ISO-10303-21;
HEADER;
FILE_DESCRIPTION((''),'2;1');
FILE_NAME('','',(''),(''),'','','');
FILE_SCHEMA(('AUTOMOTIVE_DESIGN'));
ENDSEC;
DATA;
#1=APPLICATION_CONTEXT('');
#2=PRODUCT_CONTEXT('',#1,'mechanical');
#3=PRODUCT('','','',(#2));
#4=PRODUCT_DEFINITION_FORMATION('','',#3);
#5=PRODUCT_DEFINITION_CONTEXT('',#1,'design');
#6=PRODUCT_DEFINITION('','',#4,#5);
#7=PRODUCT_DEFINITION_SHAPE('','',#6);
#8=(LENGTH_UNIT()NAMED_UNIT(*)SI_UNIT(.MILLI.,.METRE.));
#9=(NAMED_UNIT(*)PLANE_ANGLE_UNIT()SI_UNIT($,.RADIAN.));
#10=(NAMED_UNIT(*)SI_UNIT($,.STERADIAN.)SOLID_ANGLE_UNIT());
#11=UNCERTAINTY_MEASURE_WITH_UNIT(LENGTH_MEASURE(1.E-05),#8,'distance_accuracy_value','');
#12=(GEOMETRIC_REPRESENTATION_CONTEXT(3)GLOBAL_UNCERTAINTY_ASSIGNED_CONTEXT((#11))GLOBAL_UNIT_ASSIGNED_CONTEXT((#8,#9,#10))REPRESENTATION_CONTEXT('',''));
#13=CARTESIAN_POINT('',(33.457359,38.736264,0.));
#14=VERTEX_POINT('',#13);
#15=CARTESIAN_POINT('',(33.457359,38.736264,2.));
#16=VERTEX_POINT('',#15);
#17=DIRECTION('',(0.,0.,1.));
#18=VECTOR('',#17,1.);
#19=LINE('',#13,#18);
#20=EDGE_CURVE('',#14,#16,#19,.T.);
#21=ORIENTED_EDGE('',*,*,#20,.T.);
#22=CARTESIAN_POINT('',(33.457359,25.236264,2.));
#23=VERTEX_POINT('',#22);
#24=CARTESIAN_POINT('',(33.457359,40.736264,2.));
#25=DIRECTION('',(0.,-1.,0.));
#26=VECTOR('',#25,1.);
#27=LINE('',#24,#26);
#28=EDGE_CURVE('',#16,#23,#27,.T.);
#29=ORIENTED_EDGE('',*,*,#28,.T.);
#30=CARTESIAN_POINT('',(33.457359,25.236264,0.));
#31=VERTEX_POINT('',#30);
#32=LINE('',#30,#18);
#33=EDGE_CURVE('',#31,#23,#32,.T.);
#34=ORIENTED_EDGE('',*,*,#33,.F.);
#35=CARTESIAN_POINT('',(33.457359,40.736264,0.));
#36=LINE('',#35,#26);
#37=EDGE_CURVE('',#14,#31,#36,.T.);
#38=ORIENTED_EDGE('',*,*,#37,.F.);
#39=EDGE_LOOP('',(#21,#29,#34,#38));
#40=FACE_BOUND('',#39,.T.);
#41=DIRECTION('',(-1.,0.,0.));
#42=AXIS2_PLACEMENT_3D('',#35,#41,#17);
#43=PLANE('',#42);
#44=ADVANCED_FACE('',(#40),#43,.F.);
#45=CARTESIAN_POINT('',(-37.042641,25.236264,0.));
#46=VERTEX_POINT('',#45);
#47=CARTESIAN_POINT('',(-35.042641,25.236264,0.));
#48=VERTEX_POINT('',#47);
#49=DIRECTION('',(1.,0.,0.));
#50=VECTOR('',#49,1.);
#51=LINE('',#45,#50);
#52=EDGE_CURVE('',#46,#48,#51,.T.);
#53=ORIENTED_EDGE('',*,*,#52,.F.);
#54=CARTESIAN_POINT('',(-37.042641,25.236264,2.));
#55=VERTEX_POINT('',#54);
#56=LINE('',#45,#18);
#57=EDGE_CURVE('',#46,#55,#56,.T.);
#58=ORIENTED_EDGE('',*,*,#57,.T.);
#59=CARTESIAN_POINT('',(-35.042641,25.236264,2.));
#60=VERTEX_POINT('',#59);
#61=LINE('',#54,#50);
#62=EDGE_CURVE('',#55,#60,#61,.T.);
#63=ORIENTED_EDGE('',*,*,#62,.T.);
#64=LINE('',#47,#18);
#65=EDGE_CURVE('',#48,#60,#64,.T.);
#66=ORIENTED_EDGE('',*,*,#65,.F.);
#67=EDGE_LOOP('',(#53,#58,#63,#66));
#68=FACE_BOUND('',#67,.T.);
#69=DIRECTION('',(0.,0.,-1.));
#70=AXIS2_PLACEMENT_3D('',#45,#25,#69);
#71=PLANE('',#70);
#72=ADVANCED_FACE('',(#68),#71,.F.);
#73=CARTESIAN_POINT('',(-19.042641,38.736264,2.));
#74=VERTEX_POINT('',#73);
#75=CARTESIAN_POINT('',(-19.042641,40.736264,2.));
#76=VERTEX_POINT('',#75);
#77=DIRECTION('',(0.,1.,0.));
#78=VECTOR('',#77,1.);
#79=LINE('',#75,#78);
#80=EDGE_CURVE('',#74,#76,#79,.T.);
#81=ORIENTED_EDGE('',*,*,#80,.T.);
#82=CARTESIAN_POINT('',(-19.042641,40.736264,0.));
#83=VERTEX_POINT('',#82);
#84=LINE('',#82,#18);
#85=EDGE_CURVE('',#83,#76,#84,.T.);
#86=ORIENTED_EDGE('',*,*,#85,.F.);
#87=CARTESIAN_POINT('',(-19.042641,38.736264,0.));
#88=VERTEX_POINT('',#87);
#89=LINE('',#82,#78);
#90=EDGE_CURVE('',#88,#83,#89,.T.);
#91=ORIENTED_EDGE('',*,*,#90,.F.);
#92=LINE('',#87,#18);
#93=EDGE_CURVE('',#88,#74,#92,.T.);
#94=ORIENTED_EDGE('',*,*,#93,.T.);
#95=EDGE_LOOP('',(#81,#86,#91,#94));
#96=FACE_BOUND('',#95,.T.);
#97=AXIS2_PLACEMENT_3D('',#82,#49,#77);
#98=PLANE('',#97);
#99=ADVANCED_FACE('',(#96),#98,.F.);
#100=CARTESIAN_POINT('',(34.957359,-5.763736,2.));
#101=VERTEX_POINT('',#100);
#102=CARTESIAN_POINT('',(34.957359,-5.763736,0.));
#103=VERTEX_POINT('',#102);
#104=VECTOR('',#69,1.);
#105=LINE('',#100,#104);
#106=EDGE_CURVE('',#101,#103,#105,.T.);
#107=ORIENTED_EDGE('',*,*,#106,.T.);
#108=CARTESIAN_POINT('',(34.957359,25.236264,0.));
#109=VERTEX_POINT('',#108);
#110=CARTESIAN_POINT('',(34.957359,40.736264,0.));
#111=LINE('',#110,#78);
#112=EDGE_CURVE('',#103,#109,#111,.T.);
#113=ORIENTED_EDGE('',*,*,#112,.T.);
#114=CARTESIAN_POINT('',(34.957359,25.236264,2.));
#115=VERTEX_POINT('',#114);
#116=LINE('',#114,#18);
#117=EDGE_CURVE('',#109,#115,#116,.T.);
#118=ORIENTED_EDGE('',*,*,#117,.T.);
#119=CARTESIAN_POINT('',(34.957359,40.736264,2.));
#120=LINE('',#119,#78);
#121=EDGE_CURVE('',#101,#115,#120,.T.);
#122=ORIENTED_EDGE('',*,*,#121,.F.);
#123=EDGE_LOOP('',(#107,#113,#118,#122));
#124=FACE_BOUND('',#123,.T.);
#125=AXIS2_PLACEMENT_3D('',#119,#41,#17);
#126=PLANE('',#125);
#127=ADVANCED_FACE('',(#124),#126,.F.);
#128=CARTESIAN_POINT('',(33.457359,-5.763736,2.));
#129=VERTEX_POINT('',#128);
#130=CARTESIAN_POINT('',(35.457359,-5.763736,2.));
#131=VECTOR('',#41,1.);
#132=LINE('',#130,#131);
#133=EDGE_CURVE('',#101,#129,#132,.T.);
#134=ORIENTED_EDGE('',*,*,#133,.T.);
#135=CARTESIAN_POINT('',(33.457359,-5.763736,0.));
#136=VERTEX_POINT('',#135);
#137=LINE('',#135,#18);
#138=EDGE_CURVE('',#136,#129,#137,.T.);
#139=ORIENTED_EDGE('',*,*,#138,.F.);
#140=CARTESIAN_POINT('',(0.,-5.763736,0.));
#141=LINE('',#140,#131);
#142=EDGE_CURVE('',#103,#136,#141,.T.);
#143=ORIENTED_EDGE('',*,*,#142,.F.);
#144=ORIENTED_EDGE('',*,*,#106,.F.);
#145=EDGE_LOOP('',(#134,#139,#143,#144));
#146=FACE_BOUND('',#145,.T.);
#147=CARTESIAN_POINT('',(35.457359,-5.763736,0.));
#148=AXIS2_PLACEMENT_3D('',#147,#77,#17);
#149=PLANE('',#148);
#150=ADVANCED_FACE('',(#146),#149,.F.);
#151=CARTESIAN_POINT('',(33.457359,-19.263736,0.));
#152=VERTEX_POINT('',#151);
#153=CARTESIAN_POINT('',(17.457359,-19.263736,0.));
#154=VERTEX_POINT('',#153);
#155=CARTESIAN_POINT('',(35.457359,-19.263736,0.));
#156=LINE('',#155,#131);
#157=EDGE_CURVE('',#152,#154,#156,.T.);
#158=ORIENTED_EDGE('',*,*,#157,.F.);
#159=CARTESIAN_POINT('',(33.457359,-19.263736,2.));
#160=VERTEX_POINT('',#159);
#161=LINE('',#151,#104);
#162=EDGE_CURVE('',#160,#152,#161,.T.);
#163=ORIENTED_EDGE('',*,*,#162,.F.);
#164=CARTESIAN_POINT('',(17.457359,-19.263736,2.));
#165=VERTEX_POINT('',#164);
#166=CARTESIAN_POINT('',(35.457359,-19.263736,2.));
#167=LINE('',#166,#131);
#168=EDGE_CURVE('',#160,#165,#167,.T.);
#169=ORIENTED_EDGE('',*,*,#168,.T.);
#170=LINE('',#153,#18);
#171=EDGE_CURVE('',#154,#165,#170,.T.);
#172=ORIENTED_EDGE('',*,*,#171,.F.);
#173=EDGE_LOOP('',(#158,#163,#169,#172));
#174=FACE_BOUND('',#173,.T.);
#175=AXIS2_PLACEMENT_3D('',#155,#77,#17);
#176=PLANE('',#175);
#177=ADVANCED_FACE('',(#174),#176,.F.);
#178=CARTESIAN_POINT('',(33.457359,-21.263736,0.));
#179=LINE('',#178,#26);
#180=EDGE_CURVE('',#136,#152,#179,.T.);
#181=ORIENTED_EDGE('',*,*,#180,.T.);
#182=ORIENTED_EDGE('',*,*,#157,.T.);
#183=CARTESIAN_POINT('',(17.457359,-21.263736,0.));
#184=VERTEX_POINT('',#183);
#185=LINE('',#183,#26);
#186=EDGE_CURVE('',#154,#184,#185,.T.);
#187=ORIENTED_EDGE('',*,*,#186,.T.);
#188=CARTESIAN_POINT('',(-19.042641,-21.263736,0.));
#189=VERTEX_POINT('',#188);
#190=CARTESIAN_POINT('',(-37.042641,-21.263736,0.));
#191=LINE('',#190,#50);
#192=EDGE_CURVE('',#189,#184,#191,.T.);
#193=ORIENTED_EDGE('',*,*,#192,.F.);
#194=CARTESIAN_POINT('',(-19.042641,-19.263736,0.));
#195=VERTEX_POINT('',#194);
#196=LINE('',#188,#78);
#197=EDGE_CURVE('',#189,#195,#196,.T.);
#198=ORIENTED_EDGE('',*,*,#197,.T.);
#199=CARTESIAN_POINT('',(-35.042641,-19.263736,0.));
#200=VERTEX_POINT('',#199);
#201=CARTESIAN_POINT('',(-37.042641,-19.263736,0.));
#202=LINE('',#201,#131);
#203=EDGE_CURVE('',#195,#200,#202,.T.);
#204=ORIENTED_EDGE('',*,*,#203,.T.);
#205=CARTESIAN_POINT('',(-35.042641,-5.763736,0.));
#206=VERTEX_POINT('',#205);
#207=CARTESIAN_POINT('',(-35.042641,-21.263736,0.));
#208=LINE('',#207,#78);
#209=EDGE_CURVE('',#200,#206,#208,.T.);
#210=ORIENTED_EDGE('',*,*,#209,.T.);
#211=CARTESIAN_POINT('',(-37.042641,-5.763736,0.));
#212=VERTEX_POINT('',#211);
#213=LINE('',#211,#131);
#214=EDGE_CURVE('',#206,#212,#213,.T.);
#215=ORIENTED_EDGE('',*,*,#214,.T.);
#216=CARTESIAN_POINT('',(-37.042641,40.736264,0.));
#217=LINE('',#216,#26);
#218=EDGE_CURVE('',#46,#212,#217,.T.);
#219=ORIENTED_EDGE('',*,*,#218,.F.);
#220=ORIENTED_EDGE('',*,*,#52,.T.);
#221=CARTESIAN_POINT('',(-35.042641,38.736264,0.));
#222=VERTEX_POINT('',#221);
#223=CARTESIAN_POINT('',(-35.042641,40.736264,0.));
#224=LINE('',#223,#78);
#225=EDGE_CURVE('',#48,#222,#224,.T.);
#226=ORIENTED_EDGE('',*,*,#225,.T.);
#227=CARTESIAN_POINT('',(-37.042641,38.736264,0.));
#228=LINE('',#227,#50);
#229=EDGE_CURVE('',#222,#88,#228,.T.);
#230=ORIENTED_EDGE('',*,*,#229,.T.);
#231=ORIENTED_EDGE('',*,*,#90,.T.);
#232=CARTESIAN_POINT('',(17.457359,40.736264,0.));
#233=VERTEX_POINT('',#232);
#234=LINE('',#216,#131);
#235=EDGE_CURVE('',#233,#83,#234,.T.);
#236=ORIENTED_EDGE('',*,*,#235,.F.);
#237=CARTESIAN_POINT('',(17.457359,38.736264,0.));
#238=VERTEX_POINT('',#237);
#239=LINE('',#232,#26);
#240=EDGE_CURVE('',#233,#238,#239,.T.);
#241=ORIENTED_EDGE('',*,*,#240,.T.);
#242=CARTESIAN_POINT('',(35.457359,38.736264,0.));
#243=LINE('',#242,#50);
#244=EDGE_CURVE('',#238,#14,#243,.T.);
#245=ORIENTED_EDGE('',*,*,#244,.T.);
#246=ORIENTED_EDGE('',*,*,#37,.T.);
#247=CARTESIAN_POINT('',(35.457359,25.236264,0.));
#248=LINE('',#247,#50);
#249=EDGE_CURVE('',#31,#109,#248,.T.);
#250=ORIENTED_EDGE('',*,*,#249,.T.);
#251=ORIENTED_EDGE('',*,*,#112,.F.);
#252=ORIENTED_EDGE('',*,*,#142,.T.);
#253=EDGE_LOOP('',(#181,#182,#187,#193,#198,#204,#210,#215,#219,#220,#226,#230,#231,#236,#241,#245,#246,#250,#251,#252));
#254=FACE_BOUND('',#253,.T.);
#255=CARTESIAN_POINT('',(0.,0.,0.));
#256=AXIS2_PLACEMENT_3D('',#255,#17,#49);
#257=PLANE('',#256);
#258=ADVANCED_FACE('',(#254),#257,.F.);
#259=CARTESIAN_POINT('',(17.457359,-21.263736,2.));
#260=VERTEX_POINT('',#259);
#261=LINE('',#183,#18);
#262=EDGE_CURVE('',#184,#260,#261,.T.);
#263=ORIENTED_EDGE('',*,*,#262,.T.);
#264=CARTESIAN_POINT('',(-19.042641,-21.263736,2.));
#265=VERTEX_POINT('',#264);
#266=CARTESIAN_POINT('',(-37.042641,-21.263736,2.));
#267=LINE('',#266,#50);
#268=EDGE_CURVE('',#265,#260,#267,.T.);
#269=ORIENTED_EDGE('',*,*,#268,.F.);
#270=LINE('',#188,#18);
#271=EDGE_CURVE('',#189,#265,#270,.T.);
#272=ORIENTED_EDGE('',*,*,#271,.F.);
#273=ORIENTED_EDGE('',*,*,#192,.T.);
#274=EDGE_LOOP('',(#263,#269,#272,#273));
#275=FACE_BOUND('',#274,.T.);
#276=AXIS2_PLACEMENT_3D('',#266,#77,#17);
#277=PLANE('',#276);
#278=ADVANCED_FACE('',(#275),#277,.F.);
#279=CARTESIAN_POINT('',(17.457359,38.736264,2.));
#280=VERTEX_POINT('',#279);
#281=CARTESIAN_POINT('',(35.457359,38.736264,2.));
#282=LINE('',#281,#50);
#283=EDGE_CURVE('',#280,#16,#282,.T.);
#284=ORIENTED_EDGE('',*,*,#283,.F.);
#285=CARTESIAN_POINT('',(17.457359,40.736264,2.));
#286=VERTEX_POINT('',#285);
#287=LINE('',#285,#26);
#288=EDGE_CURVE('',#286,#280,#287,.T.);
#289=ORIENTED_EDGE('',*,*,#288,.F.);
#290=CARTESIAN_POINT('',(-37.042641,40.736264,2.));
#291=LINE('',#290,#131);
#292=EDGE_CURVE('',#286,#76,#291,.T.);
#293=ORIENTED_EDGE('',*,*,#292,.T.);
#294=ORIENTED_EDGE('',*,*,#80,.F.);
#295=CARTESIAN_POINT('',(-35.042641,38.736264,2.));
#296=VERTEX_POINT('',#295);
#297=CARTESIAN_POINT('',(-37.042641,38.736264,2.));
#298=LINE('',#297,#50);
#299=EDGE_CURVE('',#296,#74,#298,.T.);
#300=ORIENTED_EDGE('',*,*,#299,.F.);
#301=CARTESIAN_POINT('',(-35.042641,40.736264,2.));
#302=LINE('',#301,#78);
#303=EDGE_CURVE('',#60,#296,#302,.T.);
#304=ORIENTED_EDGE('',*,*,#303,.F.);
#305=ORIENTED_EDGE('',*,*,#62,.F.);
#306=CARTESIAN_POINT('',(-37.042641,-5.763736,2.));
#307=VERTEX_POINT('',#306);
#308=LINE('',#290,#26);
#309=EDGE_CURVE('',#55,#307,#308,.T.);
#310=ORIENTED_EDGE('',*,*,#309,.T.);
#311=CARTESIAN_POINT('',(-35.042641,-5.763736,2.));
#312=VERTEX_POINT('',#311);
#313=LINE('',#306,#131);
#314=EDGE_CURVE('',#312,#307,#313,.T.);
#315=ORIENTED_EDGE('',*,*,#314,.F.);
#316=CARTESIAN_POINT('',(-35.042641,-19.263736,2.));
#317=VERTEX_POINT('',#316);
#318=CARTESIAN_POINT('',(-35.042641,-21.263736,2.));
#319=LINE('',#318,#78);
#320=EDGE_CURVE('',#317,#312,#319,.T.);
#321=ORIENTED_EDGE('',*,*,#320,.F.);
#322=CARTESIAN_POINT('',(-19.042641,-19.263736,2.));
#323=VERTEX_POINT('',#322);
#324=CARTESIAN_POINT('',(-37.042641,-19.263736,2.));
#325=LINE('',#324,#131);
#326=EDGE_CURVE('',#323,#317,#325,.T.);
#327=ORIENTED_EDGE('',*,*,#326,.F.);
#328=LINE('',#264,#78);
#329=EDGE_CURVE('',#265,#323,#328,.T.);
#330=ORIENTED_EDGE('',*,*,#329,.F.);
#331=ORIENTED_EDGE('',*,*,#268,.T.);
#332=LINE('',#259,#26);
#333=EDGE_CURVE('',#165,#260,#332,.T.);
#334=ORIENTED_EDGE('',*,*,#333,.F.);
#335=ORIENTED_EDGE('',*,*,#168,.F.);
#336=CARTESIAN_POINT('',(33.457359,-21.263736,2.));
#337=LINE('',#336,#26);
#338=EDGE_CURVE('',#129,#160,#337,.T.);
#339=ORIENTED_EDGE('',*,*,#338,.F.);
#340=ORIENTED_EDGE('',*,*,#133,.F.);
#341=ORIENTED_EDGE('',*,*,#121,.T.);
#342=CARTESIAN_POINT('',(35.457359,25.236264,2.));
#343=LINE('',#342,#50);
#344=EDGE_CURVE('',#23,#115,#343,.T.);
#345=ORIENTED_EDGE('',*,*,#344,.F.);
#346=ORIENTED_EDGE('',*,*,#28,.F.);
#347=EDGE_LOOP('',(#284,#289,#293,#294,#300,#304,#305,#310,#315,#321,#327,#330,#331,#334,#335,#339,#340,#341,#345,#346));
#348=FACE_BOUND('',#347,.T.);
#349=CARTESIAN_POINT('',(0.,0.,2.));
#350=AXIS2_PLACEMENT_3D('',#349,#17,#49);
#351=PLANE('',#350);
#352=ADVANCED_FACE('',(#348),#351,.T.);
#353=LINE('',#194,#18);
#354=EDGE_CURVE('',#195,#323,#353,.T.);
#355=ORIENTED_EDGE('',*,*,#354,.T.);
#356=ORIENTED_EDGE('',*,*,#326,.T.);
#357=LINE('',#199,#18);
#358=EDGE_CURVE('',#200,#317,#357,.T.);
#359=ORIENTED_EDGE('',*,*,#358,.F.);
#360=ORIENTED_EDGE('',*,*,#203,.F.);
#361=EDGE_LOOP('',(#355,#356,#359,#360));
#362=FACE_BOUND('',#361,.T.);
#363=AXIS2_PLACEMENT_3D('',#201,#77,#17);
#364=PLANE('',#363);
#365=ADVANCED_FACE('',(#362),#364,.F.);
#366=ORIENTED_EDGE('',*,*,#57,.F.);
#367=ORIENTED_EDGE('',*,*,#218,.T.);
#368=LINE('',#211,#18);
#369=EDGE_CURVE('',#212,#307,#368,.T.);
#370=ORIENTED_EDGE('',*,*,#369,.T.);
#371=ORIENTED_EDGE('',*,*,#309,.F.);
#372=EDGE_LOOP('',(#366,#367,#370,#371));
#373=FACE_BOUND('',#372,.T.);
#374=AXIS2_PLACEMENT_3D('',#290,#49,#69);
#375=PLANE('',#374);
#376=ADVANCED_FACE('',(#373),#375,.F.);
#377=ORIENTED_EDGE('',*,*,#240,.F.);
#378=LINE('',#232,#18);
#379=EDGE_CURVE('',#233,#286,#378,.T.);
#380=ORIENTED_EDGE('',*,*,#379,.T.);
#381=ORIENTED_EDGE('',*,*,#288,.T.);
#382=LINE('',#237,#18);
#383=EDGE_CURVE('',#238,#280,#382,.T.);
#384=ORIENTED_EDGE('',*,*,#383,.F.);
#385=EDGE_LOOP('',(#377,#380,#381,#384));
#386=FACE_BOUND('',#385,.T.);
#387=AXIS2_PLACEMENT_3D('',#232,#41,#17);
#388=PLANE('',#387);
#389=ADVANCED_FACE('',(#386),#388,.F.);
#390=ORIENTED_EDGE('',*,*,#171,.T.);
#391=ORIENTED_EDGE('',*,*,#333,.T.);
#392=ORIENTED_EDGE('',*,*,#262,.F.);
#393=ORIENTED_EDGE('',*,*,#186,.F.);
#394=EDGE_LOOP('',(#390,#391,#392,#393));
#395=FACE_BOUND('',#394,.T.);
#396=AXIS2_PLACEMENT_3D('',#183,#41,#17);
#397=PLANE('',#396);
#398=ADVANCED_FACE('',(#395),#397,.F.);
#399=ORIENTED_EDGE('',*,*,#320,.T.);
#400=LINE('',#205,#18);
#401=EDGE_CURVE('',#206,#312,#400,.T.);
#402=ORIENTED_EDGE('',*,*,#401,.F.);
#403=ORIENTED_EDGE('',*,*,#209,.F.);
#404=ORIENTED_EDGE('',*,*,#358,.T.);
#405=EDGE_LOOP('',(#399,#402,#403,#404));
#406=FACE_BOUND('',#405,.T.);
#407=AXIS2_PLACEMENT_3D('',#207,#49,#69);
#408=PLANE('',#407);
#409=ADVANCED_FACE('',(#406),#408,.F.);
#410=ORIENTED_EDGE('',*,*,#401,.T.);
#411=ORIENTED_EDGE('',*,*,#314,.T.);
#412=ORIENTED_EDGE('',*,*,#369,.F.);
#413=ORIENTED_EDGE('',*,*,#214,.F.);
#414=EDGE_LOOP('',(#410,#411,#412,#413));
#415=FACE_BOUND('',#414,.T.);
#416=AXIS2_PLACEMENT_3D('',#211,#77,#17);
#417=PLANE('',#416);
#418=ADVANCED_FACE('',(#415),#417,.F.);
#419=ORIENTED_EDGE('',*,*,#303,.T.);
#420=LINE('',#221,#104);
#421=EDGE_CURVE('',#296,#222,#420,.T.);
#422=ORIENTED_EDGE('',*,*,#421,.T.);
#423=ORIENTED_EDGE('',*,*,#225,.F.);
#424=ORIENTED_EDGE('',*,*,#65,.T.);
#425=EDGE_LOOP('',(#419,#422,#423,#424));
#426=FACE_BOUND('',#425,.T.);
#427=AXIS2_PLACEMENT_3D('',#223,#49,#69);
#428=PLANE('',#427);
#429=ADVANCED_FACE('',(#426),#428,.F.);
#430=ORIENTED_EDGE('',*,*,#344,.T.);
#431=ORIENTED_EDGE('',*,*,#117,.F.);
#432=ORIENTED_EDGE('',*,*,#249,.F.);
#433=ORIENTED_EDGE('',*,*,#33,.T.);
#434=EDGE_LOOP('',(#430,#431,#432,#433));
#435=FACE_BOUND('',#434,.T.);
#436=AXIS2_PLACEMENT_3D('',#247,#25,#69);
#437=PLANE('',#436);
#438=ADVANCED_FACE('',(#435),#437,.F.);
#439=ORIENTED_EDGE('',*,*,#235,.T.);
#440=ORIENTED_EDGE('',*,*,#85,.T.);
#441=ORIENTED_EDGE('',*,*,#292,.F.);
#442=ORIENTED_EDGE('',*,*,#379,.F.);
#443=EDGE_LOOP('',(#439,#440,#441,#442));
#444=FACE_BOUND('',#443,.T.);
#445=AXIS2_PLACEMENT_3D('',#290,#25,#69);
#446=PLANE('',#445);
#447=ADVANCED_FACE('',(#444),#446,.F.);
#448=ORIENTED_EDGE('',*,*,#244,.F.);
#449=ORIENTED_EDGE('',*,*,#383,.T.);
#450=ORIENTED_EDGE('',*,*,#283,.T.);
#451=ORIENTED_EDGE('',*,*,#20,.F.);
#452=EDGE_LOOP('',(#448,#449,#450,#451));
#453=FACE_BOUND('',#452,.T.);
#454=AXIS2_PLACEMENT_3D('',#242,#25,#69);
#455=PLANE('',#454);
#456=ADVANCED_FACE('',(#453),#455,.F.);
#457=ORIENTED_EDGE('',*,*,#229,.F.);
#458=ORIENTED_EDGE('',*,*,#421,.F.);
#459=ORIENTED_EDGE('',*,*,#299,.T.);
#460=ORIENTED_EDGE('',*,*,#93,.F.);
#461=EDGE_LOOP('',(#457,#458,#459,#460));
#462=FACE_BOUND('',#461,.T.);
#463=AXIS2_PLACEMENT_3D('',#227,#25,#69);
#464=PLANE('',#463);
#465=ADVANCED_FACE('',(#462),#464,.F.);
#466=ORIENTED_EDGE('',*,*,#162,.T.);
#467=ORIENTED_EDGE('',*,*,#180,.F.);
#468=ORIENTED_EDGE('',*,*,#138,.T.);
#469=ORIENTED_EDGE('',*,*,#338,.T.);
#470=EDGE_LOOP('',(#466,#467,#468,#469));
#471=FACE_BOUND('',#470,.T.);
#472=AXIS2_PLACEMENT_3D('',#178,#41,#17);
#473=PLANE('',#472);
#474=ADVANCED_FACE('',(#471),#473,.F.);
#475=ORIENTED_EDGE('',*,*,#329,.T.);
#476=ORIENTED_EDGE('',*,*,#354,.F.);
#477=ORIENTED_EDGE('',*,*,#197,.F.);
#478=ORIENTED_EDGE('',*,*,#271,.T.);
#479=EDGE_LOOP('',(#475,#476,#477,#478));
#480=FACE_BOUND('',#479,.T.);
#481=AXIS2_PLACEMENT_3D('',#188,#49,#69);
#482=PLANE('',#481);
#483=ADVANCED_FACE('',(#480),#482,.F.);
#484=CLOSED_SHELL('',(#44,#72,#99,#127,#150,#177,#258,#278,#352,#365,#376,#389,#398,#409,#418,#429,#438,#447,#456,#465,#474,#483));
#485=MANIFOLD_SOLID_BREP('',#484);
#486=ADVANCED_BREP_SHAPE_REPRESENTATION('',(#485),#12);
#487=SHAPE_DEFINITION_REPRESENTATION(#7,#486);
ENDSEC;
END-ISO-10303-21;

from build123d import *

# Parameters (mm, degrees)
SKETCH_1_W          = 72
SKETCH_1_H          = 62
EXTRUDE_1_DEPTH     = 2
SKETCH_2_W          = 2
SKETCH_2_H          = 15.5
CUT_EXTRUDE_1_DEPTH = 3
SKETCH_3_W          = 18
SKETCH_3_H          = 2
CUT_EXTRUDE_2_DEPTH = 3


with BuildPart() as part:
    # ｽｹｯﾁ1 → ﾎﾞｽ - 押し出し1 (new body)
    with BuildSketch(Plane.XY):
        with Locations((-1.042641223, 9.736263736)):
            Rectangle(SKETCH_1_W, SKETCH_1_H)
    extrude(amount=EXTRUDE_1_DEPTH)

    # ｽｹｯﾁ2 → ｶｯﾄ - 押し出し1 (cut, through all)
    with BuildSketch(Plane.XY.offset(2)):
        with Locations((34.457358777, -13.513736264)):
            Rectangle(SKETCH_2_W, SKETCH_2_H)
        with Locations((34.457358777, 32.986263736)):
            Rectangle(SKETCH_2_W, SKETCH_2_H)
        with Locations((-36.042641223, 32.986263736)):
            Rectangle(SKETCH_2_W, SKETCH_2_H)
        with Locations((-36.042641223, -13.513736264)):
            Rectangle(SKETCH_2_W, SKETCH_2_H)
    extrude(amount=-CUT_EXTRUDE_1_DEPTH, mode=Mode.SUBTRACT)

    # ｽｹｯﾁ3 → ｶｯﾄ - 押し出し2 (cut, through all)
    with BuildSketch(Plane.XY.offset(2)):
        with Locations((-28.042641223, 39.736263736)):
            Rectangle(SKETCH_3_W, SKETCH_3_H)
        with Locations((26.457358777, 39.736263736)):
            Rectangle(SKETCH_3_W, SKETCH_3_H)
        with Locations((-28.042641223, -20.263736264)):
            Rectangle(SKETCH_3_W, SKETCH_3_H)
        with Locations((26.457358777, -20.263736264)):
            Rectangle(SKETCH_3_W, SKETCH_3_H)
    extrude(amount=-CUT_EXTRUDE_2_DEPTH, mode=Mode.SUBTRACT)


solid = part.part
